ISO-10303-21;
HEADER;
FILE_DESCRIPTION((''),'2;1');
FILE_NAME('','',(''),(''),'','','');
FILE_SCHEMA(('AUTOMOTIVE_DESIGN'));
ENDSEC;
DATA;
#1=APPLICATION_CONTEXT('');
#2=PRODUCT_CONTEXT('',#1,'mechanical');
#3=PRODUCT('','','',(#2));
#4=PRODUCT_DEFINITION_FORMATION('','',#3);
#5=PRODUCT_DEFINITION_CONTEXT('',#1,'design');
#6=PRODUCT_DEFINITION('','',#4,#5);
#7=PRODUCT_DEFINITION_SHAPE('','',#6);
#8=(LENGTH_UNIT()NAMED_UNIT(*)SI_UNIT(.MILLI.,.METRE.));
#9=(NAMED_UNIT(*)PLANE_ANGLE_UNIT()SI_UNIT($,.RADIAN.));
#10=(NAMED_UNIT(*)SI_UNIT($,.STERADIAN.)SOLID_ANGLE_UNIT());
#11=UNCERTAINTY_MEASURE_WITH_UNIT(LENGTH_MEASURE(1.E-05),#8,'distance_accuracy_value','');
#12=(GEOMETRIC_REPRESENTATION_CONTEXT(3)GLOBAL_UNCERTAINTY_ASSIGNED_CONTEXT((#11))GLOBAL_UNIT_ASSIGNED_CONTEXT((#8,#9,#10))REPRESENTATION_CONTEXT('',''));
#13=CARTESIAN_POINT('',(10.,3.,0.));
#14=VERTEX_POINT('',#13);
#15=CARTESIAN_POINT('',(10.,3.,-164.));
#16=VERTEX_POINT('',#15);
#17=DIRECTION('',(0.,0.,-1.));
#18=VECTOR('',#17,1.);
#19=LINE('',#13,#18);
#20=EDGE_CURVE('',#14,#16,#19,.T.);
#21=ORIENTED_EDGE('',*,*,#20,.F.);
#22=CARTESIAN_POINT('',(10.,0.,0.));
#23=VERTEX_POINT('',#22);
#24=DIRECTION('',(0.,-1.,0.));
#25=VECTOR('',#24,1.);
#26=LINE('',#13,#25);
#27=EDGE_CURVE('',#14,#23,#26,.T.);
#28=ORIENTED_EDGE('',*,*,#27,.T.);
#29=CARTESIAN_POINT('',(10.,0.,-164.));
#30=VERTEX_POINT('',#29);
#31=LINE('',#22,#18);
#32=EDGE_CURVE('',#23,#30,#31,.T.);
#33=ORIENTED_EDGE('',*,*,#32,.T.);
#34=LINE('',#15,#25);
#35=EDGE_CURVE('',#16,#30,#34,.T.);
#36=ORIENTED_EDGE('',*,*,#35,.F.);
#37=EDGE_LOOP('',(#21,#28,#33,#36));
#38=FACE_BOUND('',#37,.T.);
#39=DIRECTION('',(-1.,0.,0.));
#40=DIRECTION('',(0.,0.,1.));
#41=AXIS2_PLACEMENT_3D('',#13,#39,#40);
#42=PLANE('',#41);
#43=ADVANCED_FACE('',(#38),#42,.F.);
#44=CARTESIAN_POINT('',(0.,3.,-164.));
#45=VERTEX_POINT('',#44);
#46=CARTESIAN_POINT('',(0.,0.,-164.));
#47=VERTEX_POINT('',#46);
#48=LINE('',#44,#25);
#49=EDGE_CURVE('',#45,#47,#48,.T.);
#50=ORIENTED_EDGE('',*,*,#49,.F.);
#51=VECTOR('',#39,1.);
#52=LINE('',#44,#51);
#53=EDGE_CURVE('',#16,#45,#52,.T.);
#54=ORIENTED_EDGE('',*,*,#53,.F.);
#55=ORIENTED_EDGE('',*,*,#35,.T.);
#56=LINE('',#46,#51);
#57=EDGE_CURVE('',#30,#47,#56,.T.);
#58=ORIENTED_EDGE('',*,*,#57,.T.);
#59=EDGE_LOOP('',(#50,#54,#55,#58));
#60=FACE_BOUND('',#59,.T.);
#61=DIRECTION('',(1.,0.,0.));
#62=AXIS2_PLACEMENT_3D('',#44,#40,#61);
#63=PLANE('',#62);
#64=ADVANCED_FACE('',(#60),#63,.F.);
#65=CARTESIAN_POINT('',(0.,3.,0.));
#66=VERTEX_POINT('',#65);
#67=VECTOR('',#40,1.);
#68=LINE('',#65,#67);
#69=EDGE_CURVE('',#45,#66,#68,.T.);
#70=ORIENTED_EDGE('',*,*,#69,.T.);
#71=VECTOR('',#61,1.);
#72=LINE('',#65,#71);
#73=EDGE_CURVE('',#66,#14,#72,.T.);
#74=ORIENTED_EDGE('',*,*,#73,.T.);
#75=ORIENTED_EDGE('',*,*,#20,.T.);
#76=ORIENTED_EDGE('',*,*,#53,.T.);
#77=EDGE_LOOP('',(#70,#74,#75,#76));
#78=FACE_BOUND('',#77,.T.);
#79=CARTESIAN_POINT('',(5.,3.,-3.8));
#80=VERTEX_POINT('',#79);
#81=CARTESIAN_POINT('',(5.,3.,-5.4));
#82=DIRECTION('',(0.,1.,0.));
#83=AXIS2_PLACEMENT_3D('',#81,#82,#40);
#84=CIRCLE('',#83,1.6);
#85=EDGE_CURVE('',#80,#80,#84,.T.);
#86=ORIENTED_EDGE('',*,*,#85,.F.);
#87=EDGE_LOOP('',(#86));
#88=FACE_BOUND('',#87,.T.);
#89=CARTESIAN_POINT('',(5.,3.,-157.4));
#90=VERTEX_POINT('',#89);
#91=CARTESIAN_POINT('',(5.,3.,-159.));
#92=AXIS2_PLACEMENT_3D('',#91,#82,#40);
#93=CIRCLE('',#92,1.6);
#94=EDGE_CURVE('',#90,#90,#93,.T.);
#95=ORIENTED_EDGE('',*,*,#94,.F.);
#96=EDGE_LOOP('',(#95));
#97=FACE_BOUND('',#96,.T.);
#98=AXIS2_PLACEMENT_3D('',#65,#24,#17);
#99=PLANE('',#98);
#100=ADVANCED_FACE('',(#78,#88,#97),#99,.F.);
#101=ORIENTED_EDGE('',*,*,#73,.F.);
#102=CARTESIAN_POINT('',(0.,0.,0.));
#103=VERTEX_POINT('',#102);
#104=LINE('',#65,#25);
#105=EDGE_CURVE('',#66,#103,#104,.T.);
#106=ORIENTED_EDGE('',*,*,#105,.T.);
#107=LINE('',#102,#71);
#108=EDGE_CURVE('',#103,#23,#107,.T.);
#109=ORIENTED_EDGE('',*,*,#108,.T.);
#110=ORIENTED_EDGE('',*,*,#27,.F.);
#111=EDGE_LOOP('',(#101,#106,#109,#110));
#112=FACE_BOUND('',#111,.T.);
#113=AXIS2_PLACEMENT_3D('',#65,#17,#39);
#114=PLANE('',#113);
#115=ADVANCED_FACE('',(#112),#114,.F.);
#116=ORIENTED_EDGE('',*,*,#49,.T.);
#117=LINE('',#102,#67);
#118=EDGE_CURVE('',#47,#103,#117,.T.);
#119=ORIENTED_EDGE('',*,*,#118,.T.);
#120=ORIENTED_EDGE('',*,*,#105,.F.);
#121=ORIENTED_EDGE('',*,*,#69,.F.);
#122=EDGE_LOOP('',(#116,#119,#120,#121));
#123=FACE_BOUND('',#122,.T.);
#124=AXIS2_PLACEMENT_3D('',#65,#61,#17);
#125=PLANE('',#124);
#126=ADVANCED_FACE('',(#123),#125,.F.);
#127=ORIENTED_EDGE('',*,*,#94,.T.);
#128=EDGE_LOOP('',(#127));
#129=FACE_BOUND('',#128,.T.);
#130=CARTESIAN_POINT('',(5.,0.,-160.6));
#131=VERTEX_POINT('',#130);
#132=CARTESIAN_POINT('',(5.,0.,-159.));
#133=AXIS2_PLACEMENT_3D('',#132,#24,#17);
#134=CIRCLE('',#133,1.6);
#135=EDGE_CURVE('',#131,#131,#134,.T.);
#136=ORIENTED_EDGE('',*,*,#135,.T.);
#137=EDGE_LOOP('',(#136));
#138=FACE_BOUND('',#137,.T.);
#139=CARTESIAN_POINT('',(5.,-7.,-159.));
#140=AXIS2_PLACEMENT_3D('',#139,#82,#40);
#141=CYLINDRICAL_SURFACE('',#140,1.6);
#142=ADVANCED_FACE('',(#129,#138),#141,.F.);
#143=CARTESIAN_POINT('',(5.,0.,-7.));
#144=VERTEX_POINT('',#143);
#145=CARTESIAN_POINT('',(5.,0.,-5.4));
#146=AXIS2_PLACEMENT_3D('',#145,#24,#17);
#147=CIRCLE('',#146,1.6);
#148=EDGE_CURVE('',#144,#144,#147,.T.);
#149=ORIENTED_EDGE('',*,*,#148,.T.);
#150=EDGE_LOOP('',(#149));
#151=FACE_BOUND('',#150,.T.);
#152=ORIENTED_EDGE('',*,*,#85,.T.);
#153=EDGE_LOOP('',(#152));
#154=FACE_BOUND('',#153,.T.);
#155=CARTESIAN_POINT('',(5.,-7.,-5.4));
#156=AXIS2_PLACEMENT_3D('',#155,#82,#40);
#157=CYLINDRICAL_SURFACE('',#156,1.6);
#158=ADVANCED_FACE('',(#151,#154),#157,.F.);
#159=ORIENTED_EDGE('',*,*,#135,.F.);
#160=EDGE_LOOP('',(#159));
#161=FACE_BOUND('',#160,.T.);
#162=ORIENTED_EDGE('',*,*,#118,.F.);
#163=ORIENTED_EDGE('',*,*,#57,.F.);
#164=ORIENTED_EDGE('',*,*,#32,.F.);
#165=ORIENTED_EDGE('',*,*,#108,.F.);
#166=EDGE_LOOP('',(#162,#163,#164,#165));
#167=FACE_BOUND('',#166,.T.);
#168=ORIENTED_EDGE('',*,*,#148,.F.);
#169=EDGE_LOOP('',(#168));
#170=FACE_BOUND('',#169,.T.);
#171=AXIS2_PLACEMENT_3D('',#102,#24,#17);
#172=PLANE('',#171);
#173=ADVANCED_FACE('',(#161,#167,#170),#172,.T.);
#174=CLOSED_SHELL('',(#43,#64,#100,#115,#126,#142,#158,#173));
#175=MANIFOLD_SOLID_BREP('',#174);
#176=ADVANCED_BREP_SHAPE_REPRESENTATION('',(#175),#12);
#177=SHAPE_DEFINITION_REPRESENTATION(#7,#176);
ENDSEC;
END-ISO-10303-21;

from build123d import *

# Parameters (mm, degrees)
SKETCH1_W           = 10
SKETCH1_H           = 164
BOSS_EXTRUDE1_DEPTH = 3
SKETCH2_R           = 1.6
CUT_EXTRUDE1_DEPTH  = 10


with BuildPart() as part:
    # Sketch1 → Boss-Extrude1 (new body)
    with BuildSketch(Plane(origin=(0, 0, 0), x_dir=(1, 0, 0), z_dir=(0, 1, 0))):
        with Locations((5, 82)):
            Rectangle(SKETCH1_W, SKETCH1_H)
    extrude(amount=BOSS_EXTRUDE1_DEPTH)

    # Sketch2 → Cut-Extrude1 (cut)
    with BuildSketch(Plane(origin=(0, 3, 0), x_dir=(1, 0, 0), z_dir=(0, 1, 0))):
        with Locations(Location((5, 159, 0), (0, 0, 270))):
            Circle(SKETCH2_R)
        with Locations(Location((5, 5.4, 0), (0, 0, 270))):
            Circle(SKETCH2_R)
    extrude(amount=-CUT_EXTRUDE1_DEPTH, mode=Mode.SUBTRACT)


solid = part.part
